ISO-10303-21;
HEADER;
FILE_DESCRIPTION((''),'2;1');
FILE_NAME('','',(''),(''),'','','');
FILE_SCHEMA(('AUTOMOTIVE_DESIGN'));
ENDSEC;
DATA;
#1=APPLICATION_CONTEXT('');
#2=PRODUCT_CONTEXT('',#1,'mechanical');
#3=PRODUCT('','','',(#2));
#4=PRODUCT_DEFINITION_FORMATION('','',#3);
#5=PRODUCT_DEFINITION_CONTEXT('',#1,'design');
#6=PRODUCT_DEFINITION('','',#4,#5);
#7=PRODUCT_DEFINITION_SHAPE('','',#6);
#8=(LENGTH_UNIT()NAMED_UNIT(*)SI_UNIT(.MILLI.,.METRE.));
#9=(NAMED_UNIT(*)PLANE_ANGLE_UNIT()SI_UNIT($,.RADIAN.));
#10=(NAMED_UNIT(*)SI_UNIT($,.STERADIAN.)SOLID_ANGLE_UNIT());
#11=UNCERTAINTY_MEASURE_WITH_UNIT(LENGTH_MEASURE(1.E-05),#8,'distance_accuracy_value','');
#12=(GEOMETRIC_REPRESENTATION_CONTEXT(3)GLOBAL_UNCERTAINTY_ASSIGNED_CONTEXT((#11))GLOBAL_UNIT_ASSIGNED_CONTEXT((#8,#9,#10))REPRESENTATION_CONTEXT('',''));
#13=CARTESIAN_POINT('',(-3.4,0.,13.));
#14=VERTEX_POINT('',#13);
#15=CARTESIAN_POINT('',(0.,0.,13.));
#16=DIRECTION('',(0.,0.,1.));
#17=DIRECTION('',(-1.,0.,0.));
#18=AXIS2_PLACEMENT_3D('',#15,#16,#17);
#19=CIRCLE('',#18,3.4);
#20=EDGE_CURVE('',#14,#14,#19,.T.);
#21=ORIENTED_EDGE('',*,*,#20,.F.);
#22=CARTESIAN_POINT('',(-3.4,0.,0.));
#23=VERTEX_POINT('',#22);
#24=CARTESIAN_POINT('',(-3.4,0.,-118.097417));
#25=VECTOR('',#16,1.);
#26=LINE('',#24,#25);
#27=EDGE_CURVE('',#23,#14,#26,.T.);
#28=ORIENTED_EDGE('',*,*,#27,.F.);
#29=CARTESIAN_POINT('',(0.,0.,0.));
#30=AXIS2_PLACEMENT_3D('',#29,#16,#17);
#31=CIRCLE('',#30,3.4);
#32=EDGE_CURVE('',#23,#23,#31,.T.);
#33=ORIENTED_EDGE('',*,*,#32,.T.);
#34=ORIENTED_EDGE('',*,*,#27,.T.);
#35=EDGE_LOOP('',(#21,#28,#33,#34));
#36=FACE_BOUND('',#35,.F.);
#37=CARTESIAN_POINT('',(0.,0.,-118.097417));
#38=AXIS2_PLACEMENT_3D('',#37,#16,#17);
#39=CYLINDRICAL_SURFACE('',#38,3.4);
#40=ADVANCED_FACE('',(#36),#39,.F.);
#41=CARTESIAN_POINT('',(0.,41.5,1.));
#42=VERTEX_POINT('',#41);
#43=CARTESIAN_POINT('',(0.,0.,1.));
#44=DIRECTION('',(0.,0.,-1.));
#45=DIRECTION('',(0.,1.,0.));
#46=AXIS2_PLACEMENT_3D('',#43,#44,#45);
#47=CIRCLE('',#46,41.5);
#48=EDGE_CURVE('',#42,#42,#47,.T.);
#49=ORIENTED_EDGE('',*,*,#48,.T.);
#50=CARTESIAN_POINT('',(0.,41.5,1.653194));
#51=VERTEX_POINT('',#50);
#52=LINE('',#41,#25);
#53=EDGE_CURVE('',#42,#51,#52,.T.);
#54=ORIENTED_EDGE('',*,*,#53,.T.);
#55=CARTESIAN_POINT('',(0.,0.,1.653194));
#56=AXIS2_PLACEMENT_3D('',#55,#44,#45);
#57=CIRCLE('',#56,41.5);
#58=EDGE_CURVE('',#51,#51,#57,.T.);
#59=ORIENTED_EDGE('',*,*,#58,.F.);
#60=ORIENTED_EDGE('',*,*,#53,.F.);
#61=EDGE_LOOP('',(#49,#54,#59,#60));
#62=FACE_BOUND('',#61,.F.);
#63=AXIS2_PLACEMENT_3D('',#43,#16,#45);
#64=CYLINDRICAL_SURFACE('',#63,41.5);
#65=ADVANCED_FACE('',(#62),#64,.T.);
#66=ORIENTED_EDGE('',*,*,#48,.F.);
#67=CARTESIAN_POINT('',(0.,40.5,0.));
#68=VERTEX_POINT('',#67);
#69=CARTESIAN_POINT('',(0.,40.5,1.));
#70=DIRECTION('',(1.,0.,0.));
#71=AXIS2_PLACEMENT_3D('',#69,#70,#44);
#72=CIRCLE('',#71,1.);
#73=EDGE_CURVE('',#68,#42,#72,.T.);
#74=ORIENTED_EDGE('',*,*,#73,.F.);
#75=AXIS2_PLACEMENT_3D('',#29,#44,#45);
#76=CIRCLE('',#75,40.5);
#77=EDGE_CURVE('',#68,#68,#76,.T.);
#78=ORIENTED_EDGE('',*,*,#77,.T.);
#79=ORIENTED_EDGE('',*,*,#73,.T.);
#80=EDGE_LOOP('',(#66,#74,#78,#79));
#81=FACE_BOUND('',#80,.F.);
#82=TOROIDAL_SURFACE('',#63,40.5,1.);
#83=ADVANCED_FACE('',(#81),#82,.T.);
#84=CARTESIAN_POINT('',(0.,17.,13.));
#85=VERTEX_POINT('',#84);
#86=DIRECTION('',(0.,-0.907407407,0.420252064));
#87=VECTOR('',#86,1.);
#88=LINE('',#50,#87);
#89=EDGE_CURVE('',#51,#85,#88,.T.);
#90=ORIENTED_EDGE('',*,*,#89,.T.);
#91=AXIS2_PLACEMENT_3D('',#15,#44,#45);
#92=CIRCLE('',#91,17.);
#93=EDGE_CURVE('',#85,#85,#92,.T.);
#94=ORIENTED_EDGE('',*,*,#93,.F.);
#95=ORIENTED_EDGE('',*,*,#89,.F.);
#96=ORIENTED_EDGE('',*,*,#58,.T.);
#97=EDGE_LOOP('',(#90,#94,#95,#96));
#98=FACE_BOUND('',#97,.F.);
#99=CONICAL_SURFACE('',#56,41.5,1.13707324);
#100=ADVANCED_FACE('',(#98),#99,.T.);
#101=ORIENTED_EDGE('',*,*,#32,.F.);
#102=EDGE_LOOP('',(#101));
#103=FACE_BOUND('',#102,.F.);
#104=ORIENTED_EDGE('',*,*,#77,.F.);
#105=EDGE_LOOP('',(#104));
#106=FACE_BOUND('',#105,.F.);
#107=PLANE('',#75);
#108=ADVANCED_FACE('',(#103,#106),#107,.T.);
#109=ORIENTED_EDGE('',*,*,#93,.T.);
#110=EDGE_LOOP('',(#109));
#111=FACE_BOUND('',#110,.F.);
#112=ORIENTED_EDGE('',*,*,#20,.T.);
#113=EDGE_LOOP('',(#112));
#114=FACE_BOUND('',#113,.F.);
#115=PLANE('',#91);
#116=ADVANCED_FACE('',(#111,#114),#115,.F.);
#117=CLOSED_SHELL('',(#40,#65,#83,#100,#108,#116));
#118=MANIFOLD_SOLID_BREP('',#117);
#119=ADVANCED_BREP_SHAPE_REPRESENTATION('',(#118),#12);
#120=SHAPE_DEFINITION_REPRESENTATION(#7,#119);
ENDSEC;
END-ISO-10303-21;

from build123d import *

# Parameters (mm, degrees)
F3_D = 6.8


with BuildPart() as f1:
    # F0 (on Right) → F1 (revolve)
    with BuildSketch(Plane.YZ):
        with BuildLine():
            ThreePointArc((40.5, 0), (41.2071067812, 0.2928932188), (41.5, 1))
            Line((41.5, 1), (41.5, 1.6531942821))
            Line((41.5, 1.6531942821), (17, 13))
            Line((17, 13), (0, 13))
            Line((0, 13), (0, 0))
            Line((0, 0), (40.5, 0))
        make_face()
    revolve(axis=Axis((0, 0, 6.5), (0, 0, -1)))

    # F3 (through all)
    with Locations(Plane(origin=(0, 0, 0), x_dir=(1, 0, 0), z_dir=(0, 0, -1))):
        with Locations((0, 0)):
            Hole(F3_D / 2)


solid = f1.part
